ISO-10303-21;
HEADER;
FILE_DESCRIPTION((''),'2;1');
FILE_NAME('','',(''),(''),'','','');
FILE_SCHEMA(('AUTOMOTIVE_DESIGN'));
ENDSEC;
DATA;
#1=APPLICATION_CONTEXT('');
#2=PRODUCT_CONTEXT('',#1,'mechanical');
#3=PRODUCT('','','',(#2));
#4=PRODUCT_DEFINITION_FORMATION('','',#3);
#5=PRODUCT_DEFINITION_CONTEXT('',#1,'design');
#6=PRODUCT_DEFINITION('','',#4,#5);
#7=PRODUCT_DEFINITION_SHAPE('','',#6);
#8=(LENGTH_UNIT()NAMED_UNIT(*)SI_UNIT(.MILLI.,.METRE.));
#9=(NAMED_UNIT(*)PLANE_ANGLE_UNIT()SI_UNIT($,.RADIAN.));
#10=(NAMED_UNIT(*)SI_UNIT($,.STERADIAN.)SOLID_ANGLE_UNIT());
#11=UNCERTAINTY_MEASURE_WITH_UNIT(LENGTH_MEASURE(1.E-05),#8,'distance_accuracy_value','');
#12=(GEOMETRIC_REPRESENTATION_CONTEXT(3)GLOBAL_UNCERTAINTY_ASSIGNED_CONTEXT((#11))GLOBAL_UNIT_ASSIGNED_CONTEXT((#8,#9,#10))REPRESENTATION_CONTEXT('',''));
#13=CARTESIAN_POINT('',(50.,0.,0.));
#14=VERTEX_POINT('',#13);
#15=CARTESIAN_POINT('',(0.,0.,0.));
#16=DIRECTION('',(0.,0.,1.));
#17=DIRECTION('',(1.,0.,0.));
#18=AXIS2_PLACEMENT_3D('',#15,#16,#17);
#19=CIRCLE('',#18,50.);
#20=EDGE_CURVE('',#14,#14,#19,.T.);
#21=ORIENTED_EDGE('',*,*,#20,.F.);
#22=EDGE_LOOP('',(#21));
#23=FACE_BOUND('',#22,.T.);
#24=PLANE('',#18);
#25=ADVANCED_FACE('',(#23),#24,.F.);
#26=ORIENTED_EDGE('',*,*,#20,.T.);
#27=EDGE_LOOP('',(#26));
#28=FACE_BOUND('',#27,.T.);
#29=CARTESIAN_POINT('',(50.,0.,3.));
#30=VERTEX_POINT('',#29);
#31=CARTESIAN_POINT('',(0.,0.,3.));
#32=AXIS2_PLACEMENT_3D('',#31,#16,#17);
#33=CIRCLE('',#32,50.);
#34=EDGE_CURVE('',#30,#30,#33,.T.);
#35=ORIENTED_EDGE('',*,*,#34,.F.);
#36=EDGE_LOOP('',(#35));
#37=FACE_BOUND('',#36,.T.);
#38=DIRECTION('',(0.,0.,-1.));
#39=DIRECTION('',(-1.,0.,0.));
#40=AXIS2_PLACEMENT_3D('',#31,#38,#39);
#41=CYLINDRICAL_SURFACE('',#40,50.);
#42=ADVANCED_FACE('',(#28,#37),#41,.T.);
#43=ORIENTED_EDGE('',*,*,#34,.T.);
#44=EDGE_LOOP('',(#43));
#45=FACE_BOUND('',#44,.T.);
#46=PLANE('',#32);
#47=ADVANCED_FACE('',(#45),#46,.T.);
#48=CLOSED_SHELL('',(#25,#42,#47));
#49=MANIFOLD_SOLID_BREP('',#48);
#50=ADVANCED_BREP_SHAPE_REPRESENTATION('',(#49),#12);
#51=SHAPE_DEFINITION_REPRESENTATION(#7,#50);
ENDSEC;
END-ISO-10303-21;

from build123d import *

# Parameters (mm, degrees)
SKETCH_1_R      = 50
EXTRUDE_1_DEPTH = 3


with BuildPart() as part:
    # 草圖1 → 填料-伸長1 (new body)
    with BuildSketch(Plane.XY):
        Circle(SKETCH_1_R)
    extrude(amount=EXTRUDE_1_DEPTH)


solid = part.part
